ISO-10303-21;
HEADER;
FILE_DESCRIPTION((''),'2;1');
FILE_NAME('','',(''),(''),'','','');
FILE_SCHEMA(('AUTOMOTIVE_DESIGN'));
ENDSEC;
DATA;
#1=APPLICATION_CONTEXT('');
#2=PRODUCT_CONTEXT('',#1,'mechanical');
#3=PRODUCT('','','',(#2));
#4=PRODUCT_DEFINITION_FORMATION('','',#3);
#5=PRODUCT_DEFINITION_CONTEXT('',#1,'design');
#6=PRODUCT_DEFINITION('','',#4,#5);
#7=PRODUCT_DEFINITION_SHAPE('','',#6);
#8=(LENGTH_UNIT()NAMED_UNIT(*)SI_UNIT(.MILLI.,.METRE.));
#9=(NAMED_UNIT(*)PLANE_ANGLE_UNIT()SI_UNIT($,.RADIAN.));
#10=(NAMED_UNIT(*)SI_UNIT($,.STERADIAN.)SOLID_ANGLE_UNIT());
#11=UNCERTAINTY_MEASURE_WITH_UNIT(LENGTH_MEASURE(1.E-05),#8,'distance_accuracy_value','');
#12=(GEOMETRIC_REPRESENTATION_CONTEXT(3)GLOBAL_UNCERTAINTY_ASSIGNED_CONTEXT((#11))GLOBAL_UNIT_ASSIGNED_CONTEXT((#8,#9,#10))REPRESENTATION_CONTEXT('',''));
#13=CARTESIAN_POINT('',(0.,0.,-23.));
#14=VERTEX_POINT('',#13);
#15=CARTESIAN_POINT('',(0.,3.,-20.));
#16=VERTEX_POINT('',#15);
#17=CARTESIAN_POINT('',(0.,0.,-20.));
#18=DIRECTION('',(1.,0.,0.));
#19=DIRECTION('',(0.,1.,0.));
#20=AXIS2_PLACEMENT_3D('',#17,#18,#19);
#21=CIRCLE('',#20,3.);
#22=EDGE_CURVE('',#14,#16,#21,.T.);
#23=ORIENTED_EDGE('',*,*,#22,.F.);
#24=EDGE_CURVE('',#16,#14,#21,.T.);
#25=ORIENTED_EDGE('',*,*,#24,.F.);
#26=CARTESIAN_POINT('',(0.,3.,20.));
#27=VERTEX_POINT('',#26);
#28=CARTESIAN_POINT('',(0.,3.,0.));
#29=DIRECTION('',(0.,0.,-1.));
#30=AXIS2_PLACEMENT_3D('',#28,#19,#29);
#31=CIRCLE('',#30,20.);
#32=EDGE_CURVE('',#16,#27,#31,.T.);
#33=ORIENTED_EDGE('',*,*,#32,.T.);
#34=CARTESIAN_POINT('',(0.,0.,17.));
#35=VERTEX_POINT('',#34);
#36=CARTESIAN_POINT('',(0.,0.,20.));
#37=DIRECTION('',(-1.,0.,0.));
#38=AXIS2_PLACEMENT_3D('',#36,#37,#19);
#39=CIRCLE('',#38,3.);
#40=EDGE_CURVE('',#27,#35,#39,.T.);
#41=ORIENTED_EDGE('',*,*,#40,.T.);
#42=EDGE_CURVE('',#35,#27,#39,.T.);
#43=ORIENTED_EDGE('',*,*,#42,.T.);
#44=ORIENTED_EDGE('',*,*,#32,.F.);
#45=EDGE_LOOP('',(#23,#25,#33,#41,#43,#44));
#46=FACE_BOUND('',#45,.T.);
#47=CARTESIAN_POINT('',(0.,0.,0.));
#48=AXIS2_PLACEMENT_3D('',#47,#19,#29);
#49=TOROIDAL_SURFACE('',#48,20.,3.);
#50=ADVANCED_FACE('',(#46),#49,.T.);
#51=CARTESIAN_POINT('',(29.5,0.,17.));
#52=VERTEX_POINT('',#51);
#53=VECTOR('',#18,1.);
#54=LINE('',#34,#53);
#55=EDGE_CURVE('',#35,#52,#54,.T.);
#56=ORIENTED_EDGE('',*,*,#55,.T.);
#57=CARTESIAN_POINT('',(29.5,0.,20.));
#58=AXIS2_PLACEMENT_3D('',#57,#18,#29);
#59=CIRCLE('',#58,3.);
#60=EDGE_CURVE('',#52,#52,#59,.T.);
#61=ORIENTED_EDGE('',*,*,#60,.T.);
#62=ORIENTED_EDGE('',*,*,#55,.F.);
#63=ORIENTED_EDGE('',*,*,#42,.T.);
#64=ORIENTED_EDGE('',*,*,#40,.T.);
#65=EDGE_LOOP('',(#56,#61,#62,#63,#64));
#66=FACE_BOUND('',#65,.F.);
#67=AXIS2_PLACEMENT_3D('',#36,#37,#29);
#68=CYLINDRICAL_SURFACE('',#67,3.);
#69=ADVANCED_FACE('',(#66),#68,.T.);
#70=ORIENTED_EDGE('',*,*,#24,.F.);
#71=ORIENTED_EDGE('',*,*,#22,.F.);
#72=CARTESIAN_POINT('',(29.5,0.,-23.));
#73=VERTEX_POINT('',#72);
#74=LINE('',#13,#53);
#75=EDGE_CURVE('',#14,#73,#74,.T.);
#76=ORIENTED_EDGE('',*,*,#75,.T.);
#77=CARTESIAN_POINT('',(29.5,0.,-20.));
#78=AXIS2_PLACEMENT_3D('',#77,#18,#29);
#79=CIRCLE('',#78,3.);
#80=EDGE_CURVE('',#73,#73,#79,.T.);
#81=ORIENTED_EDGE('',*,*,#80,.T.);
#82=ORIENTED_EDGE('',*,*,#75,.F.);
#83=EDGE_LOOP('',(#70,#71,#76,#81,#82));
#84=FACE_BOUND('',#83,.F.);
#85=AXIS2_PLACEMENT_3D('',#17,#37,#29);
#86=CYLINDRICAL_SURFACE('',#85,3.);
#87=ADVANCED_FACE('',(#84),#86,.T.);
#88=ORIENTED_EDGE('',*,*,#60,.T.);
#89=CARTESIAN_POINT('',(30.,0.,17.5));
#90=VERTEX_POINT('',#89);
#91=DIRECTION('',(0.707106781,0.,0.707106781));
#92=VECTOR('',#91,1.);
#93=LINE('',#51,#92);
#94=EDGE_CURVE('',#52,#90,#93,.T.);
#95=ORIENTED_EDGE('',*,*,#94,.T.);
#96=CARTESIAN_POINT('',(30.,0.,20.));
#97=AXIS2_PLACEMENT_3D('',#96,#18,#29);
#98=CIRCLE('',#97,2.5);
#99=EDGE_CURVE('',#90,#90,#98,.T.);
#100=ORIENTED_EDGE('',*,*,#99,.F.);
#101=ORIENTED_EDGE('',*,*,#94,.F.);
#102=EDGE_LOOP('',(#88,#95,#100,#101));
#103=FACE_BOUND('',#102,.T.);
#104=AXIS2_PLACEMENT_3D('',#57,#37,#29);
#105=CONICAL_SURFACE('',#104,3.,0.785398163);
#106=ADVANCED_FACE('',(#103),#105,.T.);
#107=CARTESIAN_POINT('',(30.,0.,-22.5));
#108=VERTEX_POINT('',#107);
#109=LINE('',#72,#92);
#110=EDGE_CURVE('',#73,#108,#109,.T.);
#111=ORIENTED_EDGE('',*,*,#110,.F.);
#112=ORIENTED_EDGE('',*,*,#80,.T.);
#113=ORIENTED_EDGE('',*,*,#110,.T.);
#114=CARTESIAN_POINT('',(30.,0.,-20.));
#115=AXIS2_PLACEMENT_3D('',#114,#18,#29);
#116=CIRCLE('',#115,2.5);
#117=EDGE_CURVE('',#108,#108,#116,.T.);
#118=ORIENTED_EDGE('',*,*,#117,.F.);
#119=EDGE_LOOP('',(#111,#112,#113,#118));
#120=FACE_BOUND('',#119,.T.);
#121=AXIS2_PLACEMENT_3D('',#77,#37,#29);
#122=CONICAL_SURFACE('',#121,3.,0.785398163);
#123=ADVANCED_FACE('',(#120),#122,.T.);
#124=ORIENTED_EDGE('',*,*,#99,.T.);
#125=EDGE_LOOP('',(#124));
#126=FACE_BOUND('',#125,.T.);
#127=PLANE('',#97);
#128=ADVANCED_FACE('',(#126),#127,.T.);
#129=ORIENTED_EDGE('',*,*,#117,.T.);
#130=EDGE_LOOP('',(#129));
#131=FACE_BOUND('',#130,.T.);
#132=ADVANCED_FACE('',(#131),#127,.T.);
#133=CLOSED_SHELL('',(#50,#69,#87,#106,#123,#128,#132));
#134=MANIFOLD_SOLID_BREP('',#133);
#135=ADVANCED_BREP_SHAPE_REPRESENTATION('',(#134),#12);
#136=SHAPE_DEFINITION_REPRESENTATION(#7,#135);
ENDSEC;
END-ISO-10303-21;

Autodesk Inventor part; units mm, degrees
ref_plane "YZ Plane" through (0, 0, 0) normal (1, 0, 0) x (0, 1, 0)
ref_plane "XZ Plane" through (0, 0, 0) normal (0, 1, 0) x (-1, 0, 0)
ref_plane "XY Plane" through (0, 0, 0) normal (0, 0, 1) x (1, 0, 0)
sketch "Esboço1" plane through (0, 0, 0) normal (1, 0, 0) x (0, 1, 0)
  line L0 (0, 0) -> (15, 0)
  circle A0 centre (0, -20) radius 3
revolve "Revolução1" add sketch "Esboço1" angle 180 about axis through (0, 0, 0) along (0, 1, 0)
sketch "Esboço2" plane through (0, 0, 20) normal (1, 0, 0) x (0, 0, -1)
  circle A0 centre (0, 0) radius 3
  circle A1 centre (40, 0) radius 3
  point P0 (20, 0)
extrude "Extrusão1" add sketch "Esboço2" along normal blind 30
chamfer "Chanfro1" distance 0.5 angle 45 2 edges at (30, 0, -17) (30, 0, 23)
sketch "Esboço3" plane through (0, 0, 0) normal (0, 1, 0) x (-1, 0, 0)
  point P0 (0, 0)
thread "Rosca1" size "M6x1" class "6g" standard "ANSI Metric M Profile" length 25 offset 5
thread "Rosca2" size "M6x1" class "6g" standard "ANSI Metric M Profile" length 25
properties part number "parafuso u abraçadeira" material "Aço inoxidável"
